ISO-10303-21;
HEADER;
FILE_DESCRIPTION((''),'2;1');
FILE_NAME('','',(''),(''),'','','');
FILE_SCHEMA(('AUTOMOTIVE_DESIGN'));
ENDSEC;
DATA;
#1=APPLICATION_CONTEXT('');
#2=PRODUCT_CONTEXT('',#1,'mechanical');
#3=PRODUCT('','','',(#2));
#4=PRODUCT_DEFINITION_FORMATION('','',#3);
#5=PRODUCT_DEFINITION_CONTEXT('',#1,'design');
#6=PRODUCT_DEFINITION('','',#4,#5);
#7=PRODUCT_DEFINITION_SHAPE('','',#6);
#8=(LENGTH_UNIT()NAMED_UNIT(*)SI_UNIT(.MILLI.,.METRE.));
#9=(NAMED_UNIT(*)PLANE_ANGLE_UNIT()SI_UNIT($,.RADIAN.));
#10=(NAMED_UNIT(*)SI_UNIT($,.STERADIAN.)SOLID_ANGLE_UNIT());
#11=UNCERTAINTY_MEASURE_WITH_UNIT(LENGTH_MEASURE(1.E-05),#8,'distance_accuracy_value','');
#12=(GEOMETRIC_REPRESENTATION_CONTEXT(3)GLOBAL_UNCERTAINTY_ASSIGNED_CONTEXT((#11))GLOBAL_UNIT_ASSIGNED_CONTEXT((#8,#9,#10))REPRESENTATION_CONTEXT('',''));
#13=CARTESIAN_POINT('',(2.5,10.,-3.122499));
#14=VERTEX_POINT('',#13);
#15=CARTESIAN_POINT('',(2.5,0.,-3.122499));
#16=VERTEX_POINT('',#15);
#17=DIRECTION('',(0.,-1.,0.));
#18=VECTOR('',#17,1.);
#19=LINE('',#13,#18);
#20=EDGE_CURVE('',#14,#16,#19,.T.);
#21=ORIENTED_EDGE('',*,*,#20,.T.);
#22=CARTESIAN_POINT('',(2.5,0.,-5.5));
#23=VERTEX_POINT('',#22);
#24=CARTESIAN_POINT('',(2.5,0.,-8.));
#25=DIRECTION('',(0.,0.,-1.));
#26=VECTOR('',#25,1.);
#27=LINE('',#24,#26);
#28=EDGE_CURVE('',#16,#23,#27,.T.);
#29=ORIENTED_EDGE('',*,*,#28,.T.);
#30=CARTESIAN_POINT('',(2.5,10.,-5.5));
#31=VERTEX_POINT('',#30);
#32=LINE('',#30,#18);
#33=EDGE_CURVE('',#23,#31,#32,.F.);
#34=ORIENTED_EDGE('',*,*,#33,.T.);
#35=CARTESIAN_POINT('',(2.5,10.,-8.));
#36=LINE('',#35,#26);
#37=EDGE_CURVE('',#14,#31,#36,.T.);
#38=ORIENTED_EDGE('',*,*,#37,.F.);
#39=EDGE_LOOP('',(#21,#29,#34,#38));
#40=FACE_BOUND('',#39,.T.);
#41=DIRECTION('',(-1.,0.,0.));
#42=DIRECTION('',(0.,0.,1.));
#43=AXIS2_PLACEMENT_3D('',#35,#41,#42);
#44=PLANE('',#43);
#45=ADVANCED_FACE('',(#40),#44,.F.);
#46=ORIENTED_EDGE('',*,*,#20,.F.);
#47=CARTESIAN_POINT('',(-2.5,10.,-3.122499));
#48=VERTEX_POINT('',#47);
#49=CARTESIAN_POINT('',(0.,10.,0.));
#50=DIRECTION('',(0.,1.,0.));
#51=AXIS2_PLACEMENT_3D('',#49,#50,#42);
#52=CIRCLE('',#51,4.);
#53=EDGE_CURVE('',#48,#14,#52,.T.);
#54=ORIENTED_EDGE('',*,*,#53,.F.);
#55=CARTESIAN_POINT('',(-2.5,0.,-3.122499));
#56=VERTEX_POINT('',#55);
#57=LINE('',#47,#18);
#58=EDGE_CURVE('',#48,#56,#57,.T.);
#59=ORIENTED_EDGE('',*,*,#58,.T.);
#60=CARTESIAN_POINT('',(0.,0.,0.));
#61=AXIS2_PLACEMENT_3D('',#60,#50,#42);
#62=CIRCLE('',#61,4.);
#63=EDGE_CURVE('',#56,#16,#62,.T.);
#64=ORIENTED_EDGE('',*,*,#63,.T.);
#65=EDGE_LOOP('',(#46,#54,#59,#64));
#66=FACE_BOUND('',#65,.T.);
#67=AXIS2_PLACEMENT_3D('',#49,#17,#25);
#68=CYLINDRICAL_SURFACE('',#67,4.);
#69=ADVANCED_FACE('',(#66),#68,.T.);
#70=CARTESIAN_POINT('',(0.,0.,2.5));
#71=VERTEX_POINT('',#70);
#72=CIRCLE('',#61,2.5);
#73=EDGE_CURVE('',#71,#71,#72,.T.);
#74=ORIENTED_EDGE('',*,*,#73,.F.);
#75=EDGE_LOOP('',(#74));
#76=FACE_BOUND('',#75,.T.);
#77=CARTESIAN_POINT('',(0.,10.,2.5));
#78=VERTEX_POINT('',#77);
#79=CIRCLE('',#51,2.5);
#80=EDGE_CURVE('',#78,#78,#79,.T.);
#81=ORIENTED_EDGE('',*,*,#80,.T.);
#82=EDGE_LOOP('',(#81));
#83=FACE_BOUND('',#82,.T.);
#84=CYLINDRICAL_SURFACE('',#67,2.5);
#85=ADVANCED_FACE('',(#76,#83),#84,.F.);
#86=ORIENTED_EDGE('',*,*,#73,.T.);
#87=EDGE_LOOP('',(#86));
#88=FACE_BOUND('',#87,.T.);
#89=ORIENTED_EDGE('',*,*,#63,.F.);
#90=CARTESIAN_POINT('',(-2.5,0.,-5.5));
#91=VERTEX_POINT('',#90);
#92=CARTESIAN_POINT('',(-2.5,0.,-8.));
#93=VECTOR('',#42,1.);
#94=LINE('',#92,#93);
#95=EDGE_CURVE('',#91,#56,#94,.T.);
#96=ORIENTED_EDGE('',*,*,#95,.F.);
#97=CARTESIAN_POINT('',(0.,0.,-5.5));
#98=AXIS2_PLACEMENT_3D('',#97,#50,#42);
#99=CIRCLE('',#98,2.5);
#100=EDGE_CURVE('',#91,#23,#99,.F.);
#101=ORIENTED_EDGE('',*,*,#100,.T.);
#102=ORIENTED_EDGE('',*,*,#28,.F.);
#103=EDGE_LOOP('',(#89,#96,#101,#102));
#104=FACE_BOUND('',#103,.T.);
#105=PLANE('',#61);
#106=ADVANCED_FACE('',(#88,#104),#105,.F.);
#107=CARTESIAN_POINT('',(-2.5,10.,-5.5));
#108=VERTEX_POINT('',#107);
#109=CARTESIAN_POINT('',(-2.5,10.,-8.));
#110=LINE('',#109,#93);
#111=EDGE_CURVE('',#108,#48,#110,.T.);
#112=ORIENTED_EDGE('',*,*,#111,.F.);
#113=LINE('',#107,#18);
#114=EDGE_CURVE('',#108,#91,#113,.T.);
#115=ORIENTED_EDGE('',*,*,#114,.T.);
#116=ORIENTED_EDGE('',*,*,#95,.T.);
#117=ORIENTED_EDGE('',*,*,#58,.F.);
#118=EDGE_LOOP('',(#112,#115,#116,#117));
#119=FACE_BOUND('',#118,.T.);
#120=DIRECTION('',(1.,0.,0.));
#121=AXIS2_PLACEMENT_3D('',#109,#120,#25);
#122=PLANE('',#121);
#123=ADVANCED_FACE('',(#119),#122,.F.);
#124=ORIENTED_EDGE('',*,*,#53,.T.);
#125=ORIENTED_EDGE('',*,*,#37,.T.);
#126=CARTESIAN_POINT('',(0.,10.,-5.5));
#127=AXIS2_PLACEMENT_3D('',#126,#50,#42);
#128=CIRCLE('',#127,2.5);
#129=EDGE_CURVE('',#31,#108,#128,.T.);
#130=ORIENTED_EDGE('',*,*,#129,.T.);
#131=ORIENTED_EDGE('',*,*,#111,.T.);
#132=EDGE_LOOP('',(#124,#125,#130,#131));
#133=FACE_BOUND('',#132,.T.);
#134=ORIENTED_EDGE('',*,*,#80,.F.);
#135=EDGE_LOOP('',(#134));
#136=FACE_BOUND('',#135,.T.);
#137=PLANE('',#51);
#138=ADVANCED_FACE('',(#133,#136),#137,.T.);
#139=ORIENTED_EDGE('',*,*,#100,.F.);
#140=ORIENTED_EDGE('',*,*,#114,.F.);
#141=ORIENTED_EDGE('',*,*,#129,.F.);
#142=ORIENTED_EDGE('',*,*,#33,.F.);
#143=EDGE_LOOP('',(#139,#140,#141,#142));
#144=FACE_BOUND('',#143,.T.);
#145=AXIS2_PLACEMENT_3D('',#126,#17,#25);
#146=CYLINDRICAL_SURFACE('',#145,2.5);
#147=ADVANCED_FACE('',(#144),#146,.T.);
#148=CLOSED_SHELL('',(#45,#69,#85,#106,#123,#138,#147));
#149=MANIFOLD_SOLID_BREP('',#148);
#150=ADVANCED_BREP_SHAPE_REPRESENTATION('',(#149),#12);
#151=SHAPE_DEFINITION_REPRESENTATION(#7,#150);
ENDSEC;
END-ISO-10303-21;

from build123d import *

# Parameters (mm, degrees)
CROQUIS1_R              = 2.5
SALIENTE_EXTRUIR1_DEPTH = 10
REDONDEO1_RADIUS        = 2.5
REDONDEO1_LENGTH        = 10


with BuildPart() as part:
    # Croquis1 → Saliente-Extruir1 (new body)
    with BuildSketch(Plane(origin=(0, 0, 0), x_dir=(1, 0, 0), z_dir=(0, 1, 0))):
        with BuildLine():
            Line((-2.5, 8), (2.5, 8))
            Line((2.5, 8), (2.5, 3.122498999))
            ThreePointArc((2.5, 3.122498999), (0, -4), (-2.5, 3.122498999))
            Line((-2.5, 3.122498999), (-2.5, 8))
        make_face()
        with Locations(Location((0, 0, 0), (0, 0, 270))):
            Circle(CROQUIS1_R, mode=Mode.SUBTRACT)
    extrude(amount=SALIENTE_EXTRUIR1_DEPTH)

    # Redondeo1: full round fillet: the end face becomes a half cylinder, R = half its width
    redondeo1_face = Plane((0, 5, -8), x_dir=(0, 1, 0), z_dir=(0, 0, -1))  # on the end face: x along it, z out of the body
    redondeo1_slab = redondeo1_face.offset(-REDONDEO1_RADIUS / 2) * Box(REDONDEO1_LENGTH, 2 * REDONDEO1_RADIUS, REDONDEO1_RADIUS, mode=Mode.PRIVATE)  # the body's end, R deep
    redondeo1_round = Plane((0, 5, -5.5), x_dir=(0, 0, -1), z_dir=(0, 1, 0)) * Cylinder(REDONDEO1_RADIUS, REDONDEO1_LENGTH, mode=Mode.PRIVATE)  # its axis R under the face
    add(redondeo1_slab - redondeo1_round, mode=Mode.SUBTRACT)


solid = part.part
